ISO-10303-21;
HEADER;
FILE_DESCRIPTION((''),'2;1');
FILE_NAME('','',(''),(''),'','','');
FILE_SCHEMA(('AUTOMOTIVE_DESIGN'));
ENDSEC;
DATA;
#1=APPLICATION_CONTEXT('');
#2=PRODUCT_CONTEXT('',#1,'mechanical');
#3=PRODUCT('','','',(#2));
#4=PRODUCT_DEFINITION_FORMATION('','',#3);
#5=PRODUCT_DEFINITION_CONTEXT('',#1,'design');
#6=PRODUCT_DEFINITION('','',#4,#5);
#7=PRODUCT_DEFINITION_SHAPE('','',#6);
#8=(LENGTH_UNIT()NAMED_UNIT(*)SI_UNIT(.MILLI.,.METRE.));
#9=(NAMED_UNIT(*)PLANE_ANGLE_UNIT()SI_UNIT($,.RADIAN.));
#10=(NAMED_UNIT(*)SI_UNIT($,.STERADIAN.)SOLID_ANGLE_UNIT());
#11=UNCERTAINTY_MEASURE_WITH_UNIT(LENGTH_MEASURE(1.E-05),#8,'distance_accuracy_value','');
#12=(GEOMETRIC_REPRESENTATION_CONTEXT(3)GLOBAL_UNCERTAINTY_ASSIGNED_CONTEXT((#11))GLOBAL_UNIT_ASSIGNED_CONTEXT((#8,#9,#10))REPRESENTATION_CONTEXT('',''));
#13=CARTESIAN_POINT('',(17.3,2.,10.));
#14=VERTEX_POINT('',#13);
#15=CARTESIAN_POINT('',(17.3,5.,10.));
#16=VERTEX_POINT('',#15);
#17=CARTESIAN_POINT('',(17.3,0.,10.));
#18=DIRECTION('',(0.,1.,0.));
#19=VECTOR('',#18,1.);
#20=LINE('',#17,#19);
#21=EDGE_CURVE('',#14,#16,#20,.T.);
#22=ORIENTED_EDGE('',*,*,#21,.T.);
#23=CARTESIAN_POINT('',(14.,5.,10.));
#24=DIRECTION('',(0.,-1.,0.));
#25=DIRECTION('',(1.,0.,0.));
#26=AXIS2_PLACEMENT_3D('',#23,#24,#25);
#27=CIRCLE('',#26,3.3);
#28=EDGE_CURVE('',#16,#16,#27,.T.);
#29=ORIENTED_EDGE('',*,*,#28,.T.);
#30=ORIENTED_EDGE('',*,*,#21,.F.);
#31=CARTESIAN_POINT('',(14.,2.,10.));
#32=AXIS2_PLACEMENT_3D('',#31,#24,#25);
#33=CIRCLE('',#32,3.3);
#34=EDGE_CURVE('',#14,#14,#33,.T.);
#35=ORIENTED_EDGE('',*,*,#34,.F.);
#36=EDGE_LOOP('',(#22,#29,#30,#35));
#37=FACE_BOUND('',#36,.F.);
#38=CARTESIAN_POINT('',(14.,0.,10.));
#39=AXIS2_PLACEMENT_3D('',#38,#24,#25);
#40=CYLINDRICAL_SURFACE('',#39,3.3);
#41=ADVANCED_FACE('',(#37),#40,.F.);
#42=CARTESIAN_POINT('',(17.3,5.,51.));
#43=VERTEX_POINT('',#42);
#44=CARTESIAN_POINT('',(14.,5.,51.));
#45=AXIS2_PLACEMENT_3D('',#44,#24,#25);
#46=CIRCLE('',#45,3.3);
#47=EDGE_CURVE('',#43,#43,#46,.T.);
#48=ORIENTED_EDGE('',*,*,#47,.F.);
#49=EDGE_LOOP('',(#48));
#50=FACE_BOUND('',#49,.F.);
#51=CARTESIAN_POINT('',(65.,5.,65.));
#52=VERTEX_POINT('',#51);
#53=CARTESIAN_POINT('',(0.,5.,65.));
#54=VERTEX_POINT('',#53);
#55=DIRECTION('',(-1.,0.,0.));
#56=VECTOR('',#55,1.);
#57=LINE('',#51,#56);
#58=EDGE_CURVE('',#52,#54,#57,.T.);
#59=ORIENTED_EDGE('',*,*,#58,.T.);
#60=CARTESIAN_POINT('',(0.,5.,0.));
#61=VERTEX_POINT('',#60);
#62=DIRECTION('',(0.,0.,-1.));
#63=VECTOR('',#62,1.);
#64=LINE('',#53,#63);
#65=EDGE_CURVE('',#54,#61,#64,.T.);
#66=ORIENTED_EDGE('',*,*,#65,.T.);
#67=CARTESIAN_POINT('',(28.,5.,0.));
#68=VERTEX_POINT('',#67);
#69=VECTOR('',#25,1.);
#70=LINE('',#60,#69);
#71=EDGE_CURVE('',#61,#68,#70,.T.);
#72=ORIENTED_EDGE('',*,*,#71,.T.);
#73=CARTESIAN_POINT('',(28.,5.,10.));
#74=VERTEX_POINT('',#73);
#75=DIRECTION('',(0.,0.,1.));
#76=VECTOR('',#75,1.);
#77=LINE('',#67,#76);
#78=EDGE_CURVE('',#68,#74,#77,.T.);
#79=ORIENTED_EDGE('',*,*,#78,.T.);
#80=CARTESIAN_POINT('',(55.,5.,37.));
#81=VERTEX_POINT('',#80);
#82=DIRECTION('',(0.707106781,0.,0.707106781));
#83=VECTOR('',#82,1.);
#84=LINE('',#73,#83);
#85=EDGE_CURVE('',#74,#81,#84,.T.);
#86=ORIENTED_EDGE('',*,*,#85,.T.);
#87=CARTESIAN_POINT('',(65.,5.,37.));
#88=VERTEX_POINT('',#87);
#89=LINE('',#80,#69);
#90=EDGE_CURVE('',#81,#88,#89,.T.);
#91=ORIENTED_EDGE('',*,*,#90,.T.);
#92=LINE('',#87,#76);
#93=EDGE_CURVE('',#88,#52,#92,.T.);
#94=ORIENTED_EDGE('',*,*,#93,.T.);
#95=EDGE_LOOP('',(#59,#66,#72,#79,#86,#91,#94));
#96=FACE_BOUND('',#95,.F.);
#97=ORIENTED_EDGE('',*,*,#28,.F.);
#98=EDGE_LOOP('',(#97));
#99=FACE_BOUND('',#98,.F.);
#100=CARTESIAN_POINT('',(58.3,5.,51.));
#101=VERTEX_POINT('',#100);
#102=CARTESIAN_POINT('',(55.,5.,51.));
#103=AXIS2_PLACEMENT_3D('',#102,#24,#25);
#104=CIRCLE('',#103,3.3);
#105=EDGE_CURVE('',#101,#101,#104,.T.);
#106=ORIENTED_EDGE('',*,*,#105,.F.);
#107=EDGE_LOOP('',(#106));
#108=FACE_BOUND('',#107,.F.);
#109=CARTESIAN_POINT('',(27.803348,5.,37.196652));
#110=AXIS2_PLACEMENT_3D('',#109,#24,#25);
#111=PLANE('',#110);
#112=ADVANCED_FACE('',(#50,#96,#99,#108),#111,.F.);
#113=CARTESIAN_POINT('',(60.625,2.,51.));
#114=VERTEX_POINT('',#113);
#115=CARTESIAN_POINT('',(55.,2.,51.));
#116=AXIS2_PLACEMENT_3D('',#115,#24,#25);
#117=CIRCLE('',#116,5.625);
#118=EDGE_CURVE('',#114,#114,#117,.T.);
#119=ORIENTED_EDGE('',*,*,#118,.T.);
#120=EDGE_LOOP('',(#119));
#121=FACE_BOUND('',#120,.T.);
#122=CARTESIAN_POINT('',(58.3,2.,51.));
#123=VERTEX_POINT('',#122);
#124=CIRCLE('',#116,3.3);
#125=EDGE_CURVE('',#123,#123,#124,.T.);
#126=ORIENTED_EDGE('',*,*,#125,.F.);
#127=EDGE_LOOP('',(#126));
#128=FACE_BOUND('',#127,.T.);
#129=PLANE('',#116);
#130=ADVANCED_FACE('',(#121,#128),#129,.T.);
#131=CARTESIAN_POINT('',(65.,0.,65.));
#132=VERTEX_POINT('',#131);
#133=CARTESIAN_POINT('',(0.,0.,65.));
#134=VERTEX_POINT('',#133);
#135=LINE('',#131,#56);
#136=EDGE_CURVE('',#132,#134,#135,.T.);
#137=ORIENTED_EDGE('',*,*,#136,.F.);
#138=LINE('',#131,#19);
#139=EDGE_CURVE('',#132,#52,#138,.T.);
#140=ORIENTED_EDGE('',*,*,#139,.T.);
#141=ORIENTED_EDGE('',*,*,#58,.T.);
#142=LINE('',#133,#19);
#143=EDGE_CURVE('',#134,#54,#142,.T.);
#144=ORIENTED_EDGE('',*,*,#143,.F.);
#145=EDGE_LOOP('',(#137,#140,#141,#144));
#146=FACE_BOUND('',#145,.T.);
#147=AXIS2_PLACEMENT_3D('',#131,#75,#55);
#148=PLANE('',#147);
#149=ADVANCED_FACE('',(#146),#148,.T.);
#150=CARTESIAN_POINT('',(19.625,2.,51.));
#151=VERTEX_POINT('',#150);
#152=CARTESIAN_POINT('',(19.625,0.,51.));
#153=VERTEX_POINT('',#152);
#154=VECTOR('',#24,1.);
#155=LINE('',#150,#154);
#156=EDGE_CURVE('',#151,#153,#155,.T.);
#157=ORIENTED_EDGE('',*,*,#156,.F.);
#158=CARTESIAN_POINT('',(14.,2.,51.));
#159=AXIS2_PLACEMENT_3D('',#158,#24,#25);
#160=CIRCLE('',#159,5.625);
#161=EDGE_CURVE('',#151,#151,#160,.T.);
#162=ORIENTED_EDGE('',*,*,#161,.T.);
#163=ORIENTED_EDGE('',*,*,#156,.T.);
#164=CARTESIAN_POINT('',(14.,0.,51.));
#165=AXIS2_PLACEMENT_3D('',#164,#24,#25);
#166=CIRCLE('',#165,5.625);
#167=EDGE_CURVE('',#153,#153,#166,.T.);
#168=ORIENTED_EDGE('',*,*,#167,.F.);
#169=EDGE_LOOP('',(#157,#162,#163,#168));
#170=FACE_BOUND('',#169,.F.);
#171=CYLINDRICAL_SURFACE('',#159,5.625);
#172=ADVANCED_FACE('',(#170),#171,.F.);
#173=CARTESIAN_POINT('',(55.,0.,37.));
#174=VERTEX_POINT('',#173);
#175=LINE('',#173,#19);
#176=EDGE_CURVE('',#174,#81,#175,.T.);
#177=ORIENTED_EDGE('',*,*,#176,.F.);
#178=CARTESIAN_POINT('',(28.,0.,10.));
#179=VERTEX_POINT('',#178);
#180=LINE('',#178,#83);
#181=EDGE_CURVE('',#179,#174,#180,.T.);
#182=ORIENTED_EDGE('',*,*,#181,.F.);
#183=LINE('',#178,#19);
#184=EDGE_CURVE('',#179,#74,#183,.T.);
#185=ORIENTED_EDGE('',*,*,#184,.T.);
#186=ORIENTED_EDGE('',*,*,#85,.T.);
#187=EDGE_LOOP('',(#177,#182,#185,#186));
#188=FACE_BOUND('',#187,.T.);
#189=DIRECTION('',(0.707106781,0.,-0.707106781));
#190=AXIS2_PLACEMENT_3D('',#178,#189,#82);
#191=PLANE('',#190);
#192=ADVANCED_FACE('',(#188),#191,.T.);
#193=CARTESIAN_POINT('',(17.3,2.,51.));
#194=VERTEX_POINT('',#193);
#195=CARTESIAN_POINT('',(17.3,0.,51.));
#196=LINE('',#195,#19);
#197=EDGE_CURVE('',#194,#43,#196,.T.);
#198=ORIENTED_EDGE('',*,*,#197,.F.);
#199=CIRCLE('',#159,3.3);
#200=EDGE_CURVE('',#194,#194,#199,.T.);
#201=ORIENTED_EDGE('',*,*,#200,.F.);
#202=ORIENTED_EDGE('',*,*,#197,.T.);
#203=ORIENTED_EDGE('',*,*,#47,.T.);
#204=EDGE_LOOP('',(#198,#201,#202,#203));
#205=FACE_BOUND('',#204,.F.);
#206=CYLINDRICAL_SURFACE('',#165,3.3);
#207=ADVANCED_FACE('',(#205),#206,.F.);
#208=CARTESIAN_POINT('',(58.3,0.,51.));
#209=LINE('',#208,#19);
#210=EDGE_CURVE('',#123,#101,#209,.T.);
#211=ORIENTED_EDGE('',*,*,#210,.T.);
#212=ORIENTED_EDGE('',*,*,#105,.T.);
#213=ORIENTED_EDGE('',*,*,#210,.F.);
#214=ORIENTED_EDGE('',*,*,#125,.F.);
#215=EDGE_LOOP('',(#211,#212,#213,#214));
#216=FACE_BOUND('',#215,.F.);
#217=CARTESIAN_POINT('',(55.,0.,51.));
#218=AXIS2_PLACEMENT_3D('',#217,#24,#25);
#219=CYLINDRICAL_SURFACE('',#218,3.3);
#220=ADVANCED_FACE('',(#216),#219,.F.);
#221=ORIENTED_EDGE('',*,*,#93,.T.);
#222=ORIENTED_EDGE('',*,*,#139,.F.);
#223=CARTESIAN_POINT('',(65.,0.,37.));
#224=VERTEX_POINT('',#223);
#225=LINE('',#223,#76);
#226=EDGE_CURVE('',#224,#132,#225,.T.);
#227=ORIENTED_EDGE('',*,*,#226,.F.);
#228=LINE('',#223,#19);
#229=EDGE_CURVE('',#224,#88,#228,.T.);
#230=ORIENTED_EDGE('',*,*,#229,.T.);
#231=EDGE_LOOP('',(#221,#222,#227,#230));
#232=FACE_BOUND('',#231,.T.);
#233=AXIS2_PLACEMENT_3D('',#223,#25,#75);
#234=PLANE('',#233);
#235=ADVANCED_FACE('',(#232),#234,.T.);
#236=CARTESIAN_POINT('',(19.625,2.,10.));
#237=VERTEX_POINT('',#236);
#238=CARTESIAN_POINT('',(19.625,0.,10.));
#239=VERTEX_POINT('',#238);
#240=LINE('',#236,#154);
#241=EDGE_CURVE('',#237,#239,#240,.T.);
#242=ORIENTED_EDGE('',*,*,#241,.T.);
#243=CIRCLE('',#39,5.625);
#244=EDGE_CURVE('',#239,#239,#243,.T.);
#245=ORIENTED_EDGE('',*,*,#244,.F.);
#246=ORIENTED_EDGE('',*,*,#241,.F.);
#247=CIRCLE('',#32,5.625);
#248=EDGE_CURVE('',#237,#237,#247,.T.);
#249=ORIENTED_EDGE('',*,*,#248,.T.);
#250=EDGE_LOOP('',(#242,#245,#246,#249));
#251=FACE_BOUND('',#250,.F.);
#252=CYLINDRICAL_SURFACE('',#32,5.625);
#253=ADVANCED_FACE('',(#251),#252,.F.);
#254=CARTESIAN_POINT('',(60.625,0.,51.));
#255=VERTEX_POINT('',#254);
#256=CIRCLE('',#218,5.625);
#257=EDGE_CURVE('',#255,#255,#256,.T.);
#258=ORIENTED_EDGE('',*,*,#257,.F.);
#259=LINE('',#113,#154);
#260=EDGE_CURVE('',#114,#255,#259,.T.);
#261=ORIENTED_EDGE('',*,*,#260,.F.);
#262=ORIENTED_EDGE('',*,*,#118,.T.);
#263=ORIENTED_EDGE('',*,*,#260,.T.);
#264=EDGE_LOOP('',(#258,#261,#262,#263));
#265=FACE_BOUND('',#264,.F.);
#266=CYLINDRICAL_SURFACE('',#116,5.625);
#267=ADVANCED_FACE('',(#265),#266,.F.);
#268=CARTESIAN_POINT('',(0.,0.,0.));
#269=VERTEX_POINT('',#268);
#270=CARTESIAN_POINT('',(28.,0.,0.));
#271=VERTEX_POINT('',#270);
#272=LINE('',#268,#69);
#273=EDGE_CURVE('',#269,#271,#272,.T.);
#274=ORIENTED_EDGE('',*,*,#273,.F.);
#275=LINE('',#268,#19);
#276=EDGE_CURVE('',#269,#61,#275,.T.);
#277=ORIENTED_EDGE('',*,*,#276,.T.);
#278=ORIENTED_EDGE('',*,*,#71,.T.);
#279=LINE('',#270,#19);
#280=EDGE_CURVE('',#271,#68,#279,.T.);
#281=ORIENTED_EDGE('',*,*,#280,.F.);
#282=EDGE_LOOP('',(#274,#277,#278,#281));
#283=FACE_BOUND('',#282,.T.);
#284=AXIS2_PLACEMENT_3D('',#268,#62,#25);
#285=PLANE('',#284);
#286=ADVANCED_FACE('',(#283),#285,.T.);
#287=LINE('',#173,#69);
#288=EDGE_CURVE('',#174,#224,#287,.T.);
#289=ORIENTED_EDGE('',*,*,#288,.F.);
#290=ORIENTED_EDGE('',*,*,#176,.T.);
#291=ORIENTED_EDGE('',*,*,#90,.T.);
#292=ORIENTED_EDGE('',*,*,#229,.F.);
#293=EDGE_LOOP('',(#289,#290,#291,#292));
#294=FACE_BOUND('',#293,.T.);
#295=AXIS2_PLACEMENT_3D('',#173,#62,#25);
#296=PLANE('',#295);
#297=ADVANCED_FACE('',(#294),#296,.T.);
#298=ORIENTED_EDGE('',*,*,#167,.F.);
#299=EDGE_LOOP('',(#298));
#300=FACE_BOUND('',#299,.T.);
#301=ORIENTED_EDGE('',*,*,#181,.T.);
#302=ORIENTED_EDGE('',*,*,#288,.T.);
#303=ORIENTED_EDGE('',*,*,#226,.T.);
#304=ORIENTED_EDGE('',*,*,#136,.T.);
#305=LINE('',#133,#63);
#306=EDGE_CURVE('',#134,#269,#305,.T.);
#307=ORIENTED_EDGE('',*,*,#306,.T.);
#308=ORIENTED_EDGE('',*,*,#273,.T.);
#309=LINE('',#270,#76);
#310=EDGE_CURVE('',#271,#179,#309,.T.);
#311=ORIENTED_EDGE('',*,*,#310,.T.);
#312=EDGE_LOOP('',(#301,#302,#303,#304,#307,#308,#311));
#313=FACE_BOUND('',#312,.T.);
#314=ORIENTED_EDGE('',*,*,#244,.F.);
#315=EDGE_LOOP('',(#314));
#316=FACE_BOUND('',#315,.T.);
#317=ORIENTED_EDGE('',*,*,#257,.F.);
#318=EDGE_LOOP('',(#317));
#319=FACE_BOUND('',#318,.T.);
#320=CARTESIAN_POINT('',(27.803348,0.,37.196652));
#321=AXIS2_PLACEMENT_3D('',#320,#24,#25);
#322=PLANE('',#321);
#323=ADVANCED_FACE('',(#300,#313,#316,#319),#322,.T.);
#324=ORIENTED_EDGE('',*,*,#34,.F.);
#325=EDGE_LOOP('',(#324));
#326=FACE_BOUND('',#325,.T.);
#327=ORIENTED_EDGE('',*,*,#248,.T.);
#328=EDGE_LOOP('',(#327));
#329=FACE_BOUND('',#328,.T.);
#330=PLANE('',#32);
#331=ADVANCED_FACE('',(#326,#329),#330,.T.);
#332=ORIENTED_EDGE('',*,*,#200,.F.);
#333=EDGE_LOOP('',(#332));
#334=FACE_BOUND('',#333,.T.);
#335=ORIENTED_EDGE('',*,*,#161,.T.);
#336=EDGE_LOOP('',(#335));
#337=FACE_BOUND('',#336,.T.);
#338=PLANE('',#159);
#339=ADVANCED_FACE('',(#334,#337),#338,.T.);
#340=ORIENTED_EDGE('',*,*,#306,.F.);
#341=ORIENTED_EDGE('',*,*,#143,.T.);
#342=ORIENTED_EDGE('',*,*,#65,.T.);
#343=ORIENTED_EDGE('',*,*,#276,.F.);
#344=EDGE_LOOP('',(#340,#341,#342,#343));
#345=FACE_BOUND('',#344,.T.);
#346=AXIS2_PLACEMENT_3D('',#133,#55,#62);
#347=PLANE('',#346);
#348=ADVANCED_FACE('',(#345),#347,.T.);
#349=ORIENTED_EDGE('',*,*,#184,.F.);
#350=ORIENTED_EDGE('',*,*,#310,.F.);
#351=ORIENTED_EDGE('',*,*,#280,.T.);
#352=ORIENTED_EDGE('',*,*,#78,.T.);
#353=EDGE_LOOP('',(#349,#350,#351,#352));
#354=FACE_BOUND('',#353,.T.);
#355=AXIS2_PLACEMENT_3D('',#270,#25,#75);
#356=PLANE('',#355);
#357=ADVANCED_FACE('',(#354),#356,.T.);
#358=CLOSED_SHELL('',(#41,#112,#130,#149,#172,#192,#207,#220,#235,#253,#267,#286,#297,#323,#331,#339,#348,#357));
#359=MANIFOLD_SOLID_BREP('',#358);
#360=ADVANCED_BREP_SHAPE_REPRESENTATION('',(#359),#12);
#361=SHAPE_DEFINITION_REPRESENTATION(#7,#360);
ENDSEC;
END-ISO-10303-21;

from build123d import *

# Parameters (mm, degrees)
F0_R           = 3.3
F1_DEPTH       = 5
F2_D           = 6.6
F2_DEPTH       = 20
F2_CBORE_D     = 11.25
F2_CBORE_DEPTH = 2


with BuildPart() as f1:
    # F0 (on Front) → F1 (new body)
    with BuildSketch(Plane.XZ):
        Polygon((0, 65), (0, 0), (28, 0), (28, 10), (55, 37), (65, 37), (65, 65), align=None)
        with Locations((14, 10)):
            Circle(F0_R, mode=Mode.SUBTRACT)
        with Locations((14, 51)):
            Circle(F0_R, mode=Mode.SUBTRACT)
        with Locations((55, 51)):
            Circle(F0_R, mode=Mode.SUBTRACT)
    extrude(amount=-F1_DEPTH)

    # F2
    with Locations(Plane.XZ):
        with Locations((14, 51), (55, 51), (14, 10)):
            CounterBoreHole(F2_D / 2, F2_CBORE_D / 2, F2_CBORE_DEPTH, depth=F2_DEPTH)


solid = f1.part
